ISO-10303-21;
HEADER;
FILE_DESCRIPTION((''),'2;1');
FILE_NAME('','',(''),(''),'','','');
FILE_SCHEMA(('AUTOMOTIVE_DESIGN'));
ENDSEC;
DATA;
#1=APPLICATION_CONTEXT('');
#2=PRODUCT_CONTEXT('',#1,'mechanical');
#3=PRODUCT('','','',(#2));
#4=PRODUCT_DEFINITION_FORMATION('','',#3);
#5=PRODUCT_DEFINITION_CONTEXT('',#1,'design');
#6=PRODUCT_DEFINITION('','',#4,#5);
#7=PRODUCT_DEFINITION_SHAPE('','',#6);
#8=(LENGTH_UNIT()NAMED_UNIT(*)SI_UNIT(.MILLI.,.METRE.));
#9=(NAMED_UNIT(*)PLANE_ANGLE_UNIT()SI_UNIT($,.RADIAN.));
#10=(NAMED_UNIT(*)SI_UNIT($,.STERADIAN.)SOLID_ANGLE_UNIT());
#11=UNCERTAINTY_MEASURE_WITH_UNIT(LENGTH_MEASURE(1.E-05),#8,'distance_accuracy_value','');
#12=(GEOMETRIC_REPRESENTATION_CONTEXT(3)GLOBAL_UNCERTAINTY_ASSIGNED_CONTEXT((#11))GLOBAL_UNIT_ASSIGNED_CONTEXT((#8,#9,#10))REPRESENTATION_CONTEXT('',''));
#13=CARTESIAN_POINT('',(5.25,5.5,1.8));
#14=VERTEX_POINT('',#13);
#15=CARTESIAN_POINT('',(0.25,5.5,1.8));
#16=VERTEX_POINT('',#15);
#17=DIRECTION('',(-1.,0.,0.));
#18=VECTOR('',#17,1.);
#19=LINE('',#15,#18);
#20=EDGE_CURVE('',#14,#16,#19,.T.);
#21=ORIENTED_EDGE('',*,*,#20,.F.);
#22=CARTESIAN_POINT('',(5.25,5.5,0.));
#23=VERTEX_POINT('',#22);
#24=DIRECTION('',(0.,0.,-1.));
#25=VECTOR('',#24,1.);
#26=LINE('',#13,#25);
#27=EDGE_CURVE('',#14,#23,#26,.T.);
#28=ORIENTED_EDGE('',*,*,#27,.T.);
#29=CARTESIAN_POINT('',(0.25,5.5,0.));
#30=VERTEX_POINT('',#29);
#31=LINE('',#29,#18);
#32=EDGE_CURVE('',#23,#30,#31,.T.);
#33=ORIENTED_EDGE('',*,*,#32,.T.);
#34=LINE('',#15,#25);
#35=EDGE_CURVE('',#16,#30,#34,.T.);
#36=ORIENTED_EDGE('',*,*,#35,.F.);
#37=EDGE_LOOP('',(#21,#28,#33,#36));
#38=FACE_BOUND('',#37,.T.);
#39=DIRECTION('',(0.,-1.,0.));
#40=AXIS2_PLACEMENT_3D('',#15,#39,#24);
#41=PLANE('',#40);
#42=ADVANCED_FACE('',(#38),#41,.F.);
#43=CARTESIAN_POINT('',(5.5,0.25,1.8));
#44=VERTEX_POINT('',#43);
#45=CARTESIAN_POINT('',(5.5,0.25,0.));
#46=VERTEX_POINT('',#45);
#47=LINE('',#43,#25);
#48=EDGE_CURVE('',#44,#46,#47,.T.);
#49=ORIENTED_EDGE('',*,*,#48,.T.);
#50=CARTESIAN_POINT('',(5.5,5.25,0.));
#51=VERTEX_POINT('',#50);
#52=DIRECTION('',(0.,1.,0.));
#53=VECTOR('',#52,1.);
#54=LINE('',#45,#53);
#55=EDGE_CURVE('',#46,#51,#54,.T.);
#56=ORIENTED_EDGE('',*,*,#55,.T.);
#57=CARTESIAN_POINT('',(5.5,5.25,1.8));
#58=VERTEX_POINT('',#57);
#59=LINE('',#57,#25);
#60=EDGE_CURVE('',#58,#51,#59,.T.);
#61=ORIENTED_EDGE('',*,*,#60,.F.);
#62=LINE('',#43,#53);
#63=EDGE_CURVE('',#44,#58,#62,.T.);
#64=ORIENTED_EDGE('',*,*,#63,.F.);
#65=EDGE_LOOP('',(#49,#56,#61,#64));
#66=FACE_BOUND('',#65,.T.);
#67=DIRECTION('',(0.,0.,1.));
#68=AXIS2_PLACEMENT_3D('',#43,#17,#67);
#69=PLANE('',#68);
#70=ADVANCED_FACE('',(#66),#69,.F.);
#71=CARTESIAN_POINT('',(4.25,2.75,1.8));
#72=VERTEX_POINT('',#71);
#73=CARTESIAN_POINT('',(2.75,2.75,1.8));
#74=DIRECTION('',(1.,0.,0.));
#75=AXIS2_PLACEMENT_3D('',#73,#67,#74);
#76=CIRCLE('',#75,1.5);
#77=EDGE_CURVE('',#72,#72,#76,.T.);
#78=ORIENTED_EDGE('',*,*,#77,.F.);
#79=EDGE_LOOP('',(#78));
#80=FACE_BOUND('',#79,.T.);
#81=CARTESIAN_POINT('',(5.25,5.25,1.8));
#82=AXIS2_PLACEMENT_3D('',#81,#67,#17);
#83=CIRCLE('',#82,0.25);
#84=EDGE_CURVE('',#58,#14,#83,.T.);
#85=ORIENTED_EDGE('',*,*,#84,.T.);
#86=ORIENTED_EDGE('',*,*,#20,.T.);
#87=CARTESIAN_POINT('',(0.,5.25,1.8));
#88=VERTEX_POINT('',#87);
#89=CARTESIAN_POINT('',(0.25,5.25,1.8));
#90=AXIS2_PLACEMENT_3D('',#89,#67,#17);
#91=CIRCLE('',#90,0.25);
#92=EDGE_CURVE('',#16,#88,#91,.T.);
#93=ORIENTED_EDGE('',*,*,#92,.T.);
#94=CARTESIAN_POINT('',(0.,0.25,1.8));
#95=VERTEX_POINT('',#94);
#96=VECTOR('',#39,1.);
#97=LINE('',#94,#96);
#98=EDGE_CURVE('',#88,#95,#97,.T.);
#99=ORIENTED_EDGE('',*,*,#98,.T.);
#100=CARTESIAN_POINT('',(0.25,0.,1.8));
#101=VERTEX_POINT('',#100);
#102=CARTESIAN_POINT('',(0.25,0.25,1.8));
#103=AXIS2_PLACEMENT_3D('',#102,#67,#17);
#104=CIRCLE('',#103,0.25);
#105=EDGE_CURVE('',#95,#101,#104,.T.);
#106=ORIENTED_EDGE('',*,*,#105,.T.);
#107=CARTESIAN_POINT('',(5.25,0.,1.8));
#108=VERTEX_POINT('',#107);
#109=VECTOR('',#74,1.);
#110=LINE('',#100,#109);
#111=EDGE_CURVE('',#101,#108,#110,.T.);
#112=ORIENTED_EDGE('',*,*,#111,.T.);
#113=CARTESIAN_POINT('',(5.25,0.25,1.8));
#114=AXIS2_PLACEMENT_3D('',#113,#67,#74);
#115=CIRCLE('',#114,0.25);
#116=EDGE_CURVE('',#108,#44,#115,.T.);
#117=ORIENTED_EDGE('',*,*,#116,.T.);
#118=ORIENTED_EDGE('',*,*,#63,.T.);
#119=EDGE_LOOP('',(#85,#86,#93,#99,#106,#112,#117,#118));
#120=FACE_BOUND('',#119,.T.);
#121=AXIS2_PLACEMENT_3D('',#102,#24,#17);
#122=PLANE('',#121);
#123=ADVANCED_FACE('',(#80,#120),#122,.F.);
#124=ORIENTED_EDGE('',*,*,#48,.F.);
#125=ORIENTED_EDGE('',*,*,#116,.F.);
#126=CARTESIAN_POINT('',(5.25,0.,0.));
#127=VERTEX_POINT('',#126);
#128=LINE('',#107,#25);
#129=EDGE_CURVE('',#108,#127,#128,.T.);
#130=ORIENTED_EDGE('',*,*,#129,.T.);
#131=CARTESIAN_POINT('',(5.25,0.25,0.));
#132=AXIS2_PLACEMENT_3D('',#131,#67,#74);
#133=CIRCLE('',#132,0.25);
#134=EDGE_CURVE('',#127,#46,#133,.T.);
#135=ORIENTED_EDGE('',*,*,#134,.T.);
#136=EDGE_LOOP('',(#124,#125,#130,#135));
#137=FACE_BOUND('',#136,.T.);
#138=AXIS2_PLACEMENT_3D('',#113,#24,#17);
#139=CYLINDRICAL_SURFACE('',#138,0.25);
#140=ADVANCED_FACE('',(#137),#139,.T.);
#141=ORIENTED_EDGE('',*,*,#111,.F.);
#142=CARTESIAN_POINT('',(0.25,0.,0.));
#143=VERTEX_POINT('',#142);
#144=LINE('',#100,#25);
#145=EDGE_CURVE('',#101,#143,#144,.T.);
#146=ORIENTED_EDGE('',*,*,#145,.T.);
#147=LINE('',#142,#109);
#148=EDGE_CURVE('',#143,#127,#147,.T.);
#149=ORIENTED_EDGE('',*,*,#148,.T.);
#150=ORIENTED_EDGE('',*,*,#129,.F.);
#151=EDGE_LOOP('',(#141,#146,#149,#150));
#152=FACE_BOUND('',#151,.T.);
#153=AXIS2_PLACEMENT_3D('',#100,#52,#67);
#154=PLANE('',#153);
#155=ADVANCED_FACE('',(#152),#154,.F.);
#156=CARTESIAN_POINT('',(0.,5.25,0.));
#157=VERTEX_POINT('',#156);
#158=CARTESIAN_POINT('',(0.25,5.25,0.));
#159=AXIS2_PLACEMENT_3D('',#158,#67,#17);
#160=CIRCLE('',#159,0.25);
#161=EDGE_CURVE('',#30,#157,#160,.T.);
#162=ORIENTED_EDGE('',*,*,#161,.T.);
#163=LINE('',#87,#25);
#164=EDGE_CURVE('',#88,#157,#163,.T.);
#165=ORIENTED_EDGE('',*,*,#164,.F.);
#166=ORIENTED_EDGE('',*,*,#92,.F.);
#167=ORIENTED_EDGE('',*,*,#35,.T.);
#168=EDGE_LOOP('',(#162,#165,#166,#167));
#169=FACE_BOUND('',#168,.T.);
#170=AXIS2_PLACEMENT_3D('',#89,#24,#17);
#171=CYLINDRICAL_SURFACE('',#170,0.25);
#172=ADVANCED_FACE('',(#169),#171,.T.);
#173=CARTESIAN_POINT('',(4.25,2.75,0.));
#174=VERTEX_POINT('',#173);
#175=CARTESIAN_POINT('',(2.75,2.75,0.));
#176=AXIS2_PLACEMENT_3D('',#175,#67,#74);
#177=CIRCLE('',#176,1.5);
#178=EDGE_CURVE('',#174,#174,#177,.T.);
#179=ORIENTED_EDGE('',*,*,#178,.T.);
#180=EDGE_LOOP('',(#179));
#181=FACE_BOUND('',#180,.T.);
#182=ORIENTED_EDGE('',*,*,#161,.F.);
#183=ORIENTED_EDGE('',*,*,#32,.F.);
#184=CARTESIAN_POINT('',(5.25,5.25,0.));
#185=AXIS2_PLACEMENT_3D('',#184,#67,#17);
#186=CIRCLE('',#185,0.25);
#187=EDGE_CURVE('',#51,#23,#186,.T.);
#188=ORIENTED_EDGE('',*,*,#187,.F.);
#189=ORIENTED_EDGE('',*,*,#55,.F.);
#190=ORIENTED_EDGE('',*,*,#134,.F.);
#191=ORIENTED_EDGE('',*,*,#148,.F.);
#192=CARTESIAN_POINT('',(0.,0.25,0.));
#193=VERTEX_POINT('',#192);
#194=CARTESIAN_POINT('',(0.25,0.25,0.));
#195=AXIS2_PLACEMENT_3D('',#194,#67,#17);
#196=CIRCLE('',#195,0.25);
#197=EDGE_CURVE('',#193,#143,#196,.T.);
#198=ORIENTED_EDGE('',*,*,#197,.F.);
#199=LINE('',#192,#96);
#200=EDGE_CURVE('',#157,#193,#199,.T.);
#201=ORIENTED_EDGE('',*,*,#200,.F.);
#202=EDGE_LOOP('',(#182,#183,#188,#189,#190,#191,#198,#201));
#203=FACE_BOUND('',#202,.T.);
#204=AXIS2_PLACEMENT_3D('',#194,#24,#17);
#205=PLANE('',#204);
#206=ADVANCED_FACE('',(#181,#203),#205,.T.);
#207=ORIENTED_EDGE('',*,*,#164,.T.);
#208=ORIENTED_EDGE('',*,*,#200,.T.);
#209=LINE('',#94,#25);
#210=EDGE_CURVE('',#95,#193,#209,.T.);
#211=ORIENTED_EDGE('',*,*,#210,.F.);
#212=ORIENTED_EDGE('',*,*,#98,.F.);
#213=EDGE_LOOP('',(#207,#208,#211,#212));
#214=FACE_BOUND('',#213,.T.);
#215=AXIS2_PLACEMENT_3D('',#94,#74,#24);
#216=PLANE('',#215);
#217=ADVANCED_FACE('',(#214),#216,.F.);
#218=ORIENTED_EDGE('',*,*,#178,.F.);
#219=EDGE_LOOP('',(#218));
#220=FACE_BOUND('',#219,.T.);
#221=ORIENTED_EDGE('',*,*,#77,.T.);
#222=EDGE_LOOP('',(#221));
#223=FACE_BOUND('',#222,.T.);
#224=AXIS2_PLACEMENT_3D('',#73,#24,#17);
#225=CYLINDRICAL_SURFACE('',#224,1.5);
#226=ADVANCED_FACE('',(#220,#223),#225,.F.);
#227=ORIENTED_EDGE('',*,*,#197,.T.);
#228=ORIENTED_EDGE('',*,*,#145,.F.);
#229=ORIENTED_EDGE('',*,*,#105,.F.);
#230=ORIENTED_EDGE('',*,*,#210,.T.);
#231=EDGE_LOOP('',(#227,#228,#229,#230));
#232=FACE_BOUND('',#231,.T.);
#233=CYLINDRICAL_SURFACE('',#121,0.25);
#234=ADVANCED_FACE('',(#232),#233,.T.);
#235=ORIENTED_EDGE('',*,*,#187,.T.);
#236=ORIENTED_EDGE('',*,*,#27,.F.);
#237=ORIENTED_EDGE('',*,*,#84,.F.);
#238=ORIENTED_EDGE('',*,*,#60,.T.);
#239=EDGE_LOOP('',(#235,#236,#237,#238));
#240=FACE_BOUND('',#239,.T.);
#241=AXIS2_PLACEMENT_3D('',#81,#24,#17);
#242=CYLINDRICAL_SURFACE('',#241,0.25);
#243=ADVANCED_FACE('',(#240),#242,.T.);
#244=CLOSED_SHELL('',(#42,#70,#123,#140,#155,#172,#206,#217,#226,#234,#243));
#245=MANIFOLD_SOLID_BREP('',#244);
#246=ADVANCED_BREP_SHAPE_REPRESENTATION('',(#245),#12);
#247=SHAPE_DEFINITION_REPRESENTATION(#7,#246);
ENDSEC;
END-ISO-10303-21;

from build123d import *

# Parameters (mm, degrees)
SKETCH1_R           = 1.5
BOSS_EXTRUDE1_DEPTH = 1.8


with BuildPart() as part:
    # Sketch1 → Boss-Extrude1 (new body)
    with BuildSketch(Plane.XY):
        with BuildLine():
            Line((0.25, 0), (5.25, 0))
            ThreePointArc((5.25, 0), (5.426776695, 0.073223305), (5.5, 0.25))
            Line((5.5, 0.25), (5.5, 5.25))
            ThreePointArc((5.5, 5.25), (5.426776695, 5.426776695), (5.25, 5.5))
            Line((5.25, 5.5), (0.25, 5.5))
            ThreePointArc((0.25, 5.5), (0.073223305, 5.426776695), (0, 5.25))
            Line((0, 5.25), (0, 0.25))
            ThreePointArc((0, 0.25), (0.073223305, 0.073223305), (0.25, 0))
        make_face()
        with Locations((2.75, 2.75)):
            Circle(SKETCH1_R, mode=Mode.SUBTRACT)
    extrude(amount=BOSS_EXTRUDE1_DEPTH)


solid = part.part
